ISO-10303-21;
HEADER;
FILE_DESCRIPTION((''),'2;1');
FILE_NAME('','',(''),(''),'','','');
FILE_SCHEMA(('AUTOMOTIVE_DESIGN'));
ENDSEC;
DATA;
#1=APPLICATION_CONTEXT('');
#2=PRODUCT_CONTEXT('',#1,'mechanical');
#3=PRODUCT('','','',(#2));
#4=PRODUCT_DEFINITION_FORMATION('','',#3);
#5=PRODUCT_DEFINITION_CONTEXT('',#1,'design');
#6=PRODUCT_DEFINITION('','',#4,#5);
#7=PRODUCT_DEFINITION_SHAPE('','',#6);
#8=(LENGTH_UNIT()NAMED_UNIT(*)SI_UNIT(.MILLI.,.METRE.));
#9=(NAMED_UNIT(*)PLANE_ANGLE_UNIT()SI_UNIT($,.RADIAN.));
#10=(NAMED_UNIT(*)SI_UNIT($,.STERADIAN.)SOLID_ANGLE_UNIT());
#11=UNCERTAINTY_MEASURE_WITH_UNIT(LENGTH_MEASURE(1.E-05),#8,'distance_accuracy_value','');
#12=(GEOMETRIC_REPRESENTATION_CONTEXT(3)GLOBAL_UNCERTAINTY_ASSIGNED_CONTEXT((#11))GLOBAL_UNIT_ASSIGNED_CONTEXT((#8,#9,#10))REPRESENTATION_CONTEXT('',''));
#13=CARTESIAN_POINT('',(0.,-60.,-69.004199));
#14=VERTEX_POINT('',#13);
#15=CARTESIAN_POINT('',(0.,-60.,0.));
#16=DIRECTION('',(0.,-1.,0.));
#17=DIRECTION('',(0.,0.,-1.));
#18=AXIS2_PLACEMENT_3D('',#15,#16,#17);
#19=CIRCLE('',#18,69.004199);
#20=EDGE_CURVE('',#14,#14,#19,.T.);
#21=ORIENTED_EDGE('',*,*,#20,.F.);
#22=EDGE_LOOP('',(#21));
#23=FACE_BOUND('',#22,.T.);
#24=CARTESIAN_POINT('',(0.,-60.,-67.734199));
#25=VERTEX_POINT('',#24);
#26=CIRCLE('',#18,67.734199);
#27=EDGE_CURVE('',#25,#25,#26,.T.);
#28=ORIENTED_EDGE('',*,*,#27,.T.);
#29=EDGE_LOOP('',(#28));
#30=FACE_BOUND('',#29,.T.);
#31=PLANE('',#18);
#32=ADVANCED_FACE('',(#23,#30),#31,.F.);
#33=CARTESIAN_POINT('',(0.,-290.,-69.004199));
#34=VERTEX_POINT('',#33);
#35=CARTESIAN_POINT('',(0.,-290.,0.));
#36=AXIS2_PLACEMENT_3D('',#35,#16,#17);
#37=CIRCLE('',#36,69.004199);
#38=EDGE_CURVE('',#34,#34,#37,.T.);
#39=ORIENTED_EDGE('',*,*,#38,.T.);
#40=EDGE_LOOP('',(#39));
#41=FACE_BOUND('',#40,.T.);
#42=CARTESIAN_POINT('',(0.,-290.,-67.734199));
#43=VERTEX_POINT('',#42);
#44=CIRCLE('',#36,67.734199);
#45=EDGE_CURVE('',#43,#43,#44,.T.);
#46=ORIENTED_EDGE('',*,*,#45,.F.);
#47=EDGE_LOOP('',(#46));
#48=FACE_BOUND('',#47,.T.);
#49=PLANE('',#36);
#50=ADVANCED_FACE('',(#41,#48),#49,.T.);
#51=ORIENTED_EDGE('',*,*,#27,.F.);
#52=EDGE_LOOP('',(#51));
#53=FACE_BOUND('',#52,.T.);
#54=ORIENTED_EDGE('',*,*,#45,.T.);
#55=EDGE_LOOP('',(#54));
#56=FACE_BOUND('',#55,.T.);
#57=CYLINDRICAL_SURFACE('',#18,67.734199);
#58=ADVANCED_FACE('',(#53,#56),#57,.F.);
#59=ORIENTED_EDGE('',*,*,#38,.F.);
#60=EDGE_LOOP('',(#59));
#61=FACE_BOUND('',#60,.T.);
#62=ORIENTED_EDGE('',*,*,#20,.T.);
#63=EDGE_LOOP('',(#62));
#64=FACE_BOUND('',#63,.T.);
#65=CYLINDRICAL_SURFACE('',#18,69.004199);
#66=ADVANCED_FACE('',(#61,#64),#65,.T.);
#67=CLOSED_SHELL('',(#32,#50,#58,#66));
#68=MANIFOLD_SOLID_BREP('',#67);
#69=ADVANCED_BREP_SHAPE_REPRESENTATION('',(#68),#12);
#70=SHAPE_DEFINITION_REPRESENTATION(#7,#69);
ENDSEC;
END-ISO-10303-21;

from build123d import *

# Parameters (mm, degrees)
SKETCH1_R           = 69.004198883
SKETCH1_R_2         = 67.734198883
BOSS_EXTRUDE1_DEPTH = 230


with BuildPart() as part:
    # Sketch1 → Boss-Extrude1 (new body)
    with BuildSketch(Plane(origin=(0, -289.999999882, 0), x_dir=(-1, 0, 0), z_dir=(0, -1, 0))):
        with Locations(Location((0, 0, 0), (0, 0, 90))):
            Circle(SKETCH1_R)
        with Locations(Location((0, 0, 0), (0, 0, 90))):
            Circle(SKETCH1_R_2, mode=Mode.SUBTRACT)
    extrude(amount=-BOSS_EXTRUDE1_DEPTH)


solid = part.part
